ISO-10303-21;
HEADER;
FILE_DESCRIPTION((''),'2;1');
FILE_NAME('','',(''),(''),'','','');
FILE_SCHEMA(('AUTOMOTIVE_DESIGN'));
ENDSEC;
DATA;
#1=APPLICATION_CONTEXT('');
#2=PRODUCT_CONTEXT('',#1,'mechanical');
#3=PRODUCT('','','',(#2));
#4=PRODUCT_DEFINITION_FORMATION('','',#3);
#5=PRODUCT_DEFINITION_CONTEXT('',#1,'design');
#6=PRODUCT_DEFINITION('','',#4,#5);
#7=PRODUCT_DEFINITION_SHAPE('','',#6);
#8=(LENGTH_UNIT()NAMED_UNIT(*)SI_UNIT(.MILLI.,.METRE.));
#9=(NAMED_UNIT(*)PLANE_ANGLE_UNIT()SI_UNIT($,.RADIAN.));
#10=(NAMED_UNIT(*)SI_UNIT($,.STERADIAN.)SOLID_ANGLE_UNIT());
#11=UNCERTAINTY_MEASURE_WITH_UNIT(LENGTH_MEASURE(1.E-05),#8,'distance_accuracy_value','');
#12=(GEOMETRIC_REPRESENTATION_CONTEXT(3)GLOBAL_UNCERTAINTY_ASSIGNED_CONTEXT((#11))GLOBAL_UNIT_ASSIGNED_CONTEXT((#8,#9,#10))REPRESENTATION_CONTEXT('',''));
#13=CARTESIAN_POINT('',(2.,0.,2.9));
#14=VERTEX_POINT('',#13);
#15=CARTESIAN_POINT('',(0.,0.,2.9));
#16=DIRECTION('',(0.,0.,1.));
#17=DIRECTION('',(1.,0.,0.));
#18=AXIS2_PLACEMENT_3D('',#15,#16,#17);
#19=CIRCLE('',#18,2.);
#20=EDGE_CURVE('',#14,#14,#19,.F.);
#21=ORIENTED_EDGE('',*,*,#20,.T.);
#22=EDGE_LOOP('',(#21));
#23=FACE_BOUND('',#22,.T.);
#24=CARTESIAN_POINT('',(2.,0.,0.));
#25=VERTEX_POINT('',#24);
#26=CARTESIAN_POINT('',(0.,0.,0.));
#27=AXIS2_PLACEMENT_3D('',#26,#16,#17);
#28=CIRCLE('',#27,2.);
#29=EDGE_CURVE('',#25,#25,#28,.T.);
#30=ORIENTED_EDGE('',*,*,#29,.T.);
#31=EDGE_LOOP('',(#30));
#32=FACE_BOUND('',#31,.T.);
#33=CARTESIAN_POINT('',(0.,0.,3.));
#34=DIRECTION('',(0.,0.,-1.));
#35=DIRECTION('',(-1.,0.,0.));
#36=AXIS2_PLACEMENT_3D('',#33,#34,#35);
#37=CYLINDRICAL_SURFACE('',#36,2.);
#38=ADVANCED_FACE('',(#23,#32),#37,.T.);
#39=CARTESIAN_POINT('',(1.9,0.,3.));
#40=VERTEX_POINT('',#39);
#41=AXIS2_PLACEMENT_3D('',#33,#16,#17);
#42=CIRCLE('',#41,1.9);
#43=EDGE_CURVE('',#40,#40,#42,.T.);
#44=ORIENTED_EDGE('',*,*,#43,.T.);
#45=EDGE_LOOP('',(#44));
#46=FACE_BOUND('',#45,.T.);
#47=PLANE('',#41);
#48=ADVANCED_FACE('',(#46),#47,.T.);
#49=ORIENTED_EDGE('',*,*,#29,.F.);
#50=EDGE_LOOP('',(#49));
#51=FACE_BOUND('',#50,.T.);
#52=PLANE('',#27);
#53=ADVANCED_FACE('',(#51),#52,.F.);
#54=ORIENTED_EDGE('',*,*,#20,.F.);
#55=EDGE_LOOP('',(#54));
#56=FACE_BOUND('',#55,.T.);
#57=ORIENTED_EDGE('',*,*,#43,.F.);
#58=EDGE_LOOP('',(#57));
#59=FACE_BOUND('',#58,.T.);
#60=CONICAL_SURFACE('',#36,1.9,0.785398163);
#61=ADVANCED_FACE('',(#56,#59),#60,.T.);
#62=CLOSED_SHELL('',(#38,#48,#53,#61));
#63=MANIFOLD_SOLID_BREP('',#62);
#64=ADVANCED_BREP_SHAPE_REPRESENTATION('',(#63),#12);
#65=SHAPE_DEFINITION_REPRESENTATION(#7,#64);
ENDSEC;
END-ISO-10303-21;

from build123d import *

# Parameters (mm, degrees)
COMPONENT_OUTLINE_R = 2
EXTRUDE1_DEPTH      = 3
CHAMFER1_SIZE       = 0.1


with BuildPart() as part:
    # COMPONENT_OUTLINE → Extrude1 (new body)
    with BuildSketch(Plane.XY):
        Circle(COMPONENT_OUTLINE_R)
    extrude(amount=EXTRUDE1_DEPTH)

    # Chamfer1
    chamfer1_edges = [part.edges().sort_by_distance(p)[0] for p in [
        (-2, 0, 3),
    ]]
    chamfer(chamfer1_edges, length=CHAMFER1_SIZE)


solid = part.part
